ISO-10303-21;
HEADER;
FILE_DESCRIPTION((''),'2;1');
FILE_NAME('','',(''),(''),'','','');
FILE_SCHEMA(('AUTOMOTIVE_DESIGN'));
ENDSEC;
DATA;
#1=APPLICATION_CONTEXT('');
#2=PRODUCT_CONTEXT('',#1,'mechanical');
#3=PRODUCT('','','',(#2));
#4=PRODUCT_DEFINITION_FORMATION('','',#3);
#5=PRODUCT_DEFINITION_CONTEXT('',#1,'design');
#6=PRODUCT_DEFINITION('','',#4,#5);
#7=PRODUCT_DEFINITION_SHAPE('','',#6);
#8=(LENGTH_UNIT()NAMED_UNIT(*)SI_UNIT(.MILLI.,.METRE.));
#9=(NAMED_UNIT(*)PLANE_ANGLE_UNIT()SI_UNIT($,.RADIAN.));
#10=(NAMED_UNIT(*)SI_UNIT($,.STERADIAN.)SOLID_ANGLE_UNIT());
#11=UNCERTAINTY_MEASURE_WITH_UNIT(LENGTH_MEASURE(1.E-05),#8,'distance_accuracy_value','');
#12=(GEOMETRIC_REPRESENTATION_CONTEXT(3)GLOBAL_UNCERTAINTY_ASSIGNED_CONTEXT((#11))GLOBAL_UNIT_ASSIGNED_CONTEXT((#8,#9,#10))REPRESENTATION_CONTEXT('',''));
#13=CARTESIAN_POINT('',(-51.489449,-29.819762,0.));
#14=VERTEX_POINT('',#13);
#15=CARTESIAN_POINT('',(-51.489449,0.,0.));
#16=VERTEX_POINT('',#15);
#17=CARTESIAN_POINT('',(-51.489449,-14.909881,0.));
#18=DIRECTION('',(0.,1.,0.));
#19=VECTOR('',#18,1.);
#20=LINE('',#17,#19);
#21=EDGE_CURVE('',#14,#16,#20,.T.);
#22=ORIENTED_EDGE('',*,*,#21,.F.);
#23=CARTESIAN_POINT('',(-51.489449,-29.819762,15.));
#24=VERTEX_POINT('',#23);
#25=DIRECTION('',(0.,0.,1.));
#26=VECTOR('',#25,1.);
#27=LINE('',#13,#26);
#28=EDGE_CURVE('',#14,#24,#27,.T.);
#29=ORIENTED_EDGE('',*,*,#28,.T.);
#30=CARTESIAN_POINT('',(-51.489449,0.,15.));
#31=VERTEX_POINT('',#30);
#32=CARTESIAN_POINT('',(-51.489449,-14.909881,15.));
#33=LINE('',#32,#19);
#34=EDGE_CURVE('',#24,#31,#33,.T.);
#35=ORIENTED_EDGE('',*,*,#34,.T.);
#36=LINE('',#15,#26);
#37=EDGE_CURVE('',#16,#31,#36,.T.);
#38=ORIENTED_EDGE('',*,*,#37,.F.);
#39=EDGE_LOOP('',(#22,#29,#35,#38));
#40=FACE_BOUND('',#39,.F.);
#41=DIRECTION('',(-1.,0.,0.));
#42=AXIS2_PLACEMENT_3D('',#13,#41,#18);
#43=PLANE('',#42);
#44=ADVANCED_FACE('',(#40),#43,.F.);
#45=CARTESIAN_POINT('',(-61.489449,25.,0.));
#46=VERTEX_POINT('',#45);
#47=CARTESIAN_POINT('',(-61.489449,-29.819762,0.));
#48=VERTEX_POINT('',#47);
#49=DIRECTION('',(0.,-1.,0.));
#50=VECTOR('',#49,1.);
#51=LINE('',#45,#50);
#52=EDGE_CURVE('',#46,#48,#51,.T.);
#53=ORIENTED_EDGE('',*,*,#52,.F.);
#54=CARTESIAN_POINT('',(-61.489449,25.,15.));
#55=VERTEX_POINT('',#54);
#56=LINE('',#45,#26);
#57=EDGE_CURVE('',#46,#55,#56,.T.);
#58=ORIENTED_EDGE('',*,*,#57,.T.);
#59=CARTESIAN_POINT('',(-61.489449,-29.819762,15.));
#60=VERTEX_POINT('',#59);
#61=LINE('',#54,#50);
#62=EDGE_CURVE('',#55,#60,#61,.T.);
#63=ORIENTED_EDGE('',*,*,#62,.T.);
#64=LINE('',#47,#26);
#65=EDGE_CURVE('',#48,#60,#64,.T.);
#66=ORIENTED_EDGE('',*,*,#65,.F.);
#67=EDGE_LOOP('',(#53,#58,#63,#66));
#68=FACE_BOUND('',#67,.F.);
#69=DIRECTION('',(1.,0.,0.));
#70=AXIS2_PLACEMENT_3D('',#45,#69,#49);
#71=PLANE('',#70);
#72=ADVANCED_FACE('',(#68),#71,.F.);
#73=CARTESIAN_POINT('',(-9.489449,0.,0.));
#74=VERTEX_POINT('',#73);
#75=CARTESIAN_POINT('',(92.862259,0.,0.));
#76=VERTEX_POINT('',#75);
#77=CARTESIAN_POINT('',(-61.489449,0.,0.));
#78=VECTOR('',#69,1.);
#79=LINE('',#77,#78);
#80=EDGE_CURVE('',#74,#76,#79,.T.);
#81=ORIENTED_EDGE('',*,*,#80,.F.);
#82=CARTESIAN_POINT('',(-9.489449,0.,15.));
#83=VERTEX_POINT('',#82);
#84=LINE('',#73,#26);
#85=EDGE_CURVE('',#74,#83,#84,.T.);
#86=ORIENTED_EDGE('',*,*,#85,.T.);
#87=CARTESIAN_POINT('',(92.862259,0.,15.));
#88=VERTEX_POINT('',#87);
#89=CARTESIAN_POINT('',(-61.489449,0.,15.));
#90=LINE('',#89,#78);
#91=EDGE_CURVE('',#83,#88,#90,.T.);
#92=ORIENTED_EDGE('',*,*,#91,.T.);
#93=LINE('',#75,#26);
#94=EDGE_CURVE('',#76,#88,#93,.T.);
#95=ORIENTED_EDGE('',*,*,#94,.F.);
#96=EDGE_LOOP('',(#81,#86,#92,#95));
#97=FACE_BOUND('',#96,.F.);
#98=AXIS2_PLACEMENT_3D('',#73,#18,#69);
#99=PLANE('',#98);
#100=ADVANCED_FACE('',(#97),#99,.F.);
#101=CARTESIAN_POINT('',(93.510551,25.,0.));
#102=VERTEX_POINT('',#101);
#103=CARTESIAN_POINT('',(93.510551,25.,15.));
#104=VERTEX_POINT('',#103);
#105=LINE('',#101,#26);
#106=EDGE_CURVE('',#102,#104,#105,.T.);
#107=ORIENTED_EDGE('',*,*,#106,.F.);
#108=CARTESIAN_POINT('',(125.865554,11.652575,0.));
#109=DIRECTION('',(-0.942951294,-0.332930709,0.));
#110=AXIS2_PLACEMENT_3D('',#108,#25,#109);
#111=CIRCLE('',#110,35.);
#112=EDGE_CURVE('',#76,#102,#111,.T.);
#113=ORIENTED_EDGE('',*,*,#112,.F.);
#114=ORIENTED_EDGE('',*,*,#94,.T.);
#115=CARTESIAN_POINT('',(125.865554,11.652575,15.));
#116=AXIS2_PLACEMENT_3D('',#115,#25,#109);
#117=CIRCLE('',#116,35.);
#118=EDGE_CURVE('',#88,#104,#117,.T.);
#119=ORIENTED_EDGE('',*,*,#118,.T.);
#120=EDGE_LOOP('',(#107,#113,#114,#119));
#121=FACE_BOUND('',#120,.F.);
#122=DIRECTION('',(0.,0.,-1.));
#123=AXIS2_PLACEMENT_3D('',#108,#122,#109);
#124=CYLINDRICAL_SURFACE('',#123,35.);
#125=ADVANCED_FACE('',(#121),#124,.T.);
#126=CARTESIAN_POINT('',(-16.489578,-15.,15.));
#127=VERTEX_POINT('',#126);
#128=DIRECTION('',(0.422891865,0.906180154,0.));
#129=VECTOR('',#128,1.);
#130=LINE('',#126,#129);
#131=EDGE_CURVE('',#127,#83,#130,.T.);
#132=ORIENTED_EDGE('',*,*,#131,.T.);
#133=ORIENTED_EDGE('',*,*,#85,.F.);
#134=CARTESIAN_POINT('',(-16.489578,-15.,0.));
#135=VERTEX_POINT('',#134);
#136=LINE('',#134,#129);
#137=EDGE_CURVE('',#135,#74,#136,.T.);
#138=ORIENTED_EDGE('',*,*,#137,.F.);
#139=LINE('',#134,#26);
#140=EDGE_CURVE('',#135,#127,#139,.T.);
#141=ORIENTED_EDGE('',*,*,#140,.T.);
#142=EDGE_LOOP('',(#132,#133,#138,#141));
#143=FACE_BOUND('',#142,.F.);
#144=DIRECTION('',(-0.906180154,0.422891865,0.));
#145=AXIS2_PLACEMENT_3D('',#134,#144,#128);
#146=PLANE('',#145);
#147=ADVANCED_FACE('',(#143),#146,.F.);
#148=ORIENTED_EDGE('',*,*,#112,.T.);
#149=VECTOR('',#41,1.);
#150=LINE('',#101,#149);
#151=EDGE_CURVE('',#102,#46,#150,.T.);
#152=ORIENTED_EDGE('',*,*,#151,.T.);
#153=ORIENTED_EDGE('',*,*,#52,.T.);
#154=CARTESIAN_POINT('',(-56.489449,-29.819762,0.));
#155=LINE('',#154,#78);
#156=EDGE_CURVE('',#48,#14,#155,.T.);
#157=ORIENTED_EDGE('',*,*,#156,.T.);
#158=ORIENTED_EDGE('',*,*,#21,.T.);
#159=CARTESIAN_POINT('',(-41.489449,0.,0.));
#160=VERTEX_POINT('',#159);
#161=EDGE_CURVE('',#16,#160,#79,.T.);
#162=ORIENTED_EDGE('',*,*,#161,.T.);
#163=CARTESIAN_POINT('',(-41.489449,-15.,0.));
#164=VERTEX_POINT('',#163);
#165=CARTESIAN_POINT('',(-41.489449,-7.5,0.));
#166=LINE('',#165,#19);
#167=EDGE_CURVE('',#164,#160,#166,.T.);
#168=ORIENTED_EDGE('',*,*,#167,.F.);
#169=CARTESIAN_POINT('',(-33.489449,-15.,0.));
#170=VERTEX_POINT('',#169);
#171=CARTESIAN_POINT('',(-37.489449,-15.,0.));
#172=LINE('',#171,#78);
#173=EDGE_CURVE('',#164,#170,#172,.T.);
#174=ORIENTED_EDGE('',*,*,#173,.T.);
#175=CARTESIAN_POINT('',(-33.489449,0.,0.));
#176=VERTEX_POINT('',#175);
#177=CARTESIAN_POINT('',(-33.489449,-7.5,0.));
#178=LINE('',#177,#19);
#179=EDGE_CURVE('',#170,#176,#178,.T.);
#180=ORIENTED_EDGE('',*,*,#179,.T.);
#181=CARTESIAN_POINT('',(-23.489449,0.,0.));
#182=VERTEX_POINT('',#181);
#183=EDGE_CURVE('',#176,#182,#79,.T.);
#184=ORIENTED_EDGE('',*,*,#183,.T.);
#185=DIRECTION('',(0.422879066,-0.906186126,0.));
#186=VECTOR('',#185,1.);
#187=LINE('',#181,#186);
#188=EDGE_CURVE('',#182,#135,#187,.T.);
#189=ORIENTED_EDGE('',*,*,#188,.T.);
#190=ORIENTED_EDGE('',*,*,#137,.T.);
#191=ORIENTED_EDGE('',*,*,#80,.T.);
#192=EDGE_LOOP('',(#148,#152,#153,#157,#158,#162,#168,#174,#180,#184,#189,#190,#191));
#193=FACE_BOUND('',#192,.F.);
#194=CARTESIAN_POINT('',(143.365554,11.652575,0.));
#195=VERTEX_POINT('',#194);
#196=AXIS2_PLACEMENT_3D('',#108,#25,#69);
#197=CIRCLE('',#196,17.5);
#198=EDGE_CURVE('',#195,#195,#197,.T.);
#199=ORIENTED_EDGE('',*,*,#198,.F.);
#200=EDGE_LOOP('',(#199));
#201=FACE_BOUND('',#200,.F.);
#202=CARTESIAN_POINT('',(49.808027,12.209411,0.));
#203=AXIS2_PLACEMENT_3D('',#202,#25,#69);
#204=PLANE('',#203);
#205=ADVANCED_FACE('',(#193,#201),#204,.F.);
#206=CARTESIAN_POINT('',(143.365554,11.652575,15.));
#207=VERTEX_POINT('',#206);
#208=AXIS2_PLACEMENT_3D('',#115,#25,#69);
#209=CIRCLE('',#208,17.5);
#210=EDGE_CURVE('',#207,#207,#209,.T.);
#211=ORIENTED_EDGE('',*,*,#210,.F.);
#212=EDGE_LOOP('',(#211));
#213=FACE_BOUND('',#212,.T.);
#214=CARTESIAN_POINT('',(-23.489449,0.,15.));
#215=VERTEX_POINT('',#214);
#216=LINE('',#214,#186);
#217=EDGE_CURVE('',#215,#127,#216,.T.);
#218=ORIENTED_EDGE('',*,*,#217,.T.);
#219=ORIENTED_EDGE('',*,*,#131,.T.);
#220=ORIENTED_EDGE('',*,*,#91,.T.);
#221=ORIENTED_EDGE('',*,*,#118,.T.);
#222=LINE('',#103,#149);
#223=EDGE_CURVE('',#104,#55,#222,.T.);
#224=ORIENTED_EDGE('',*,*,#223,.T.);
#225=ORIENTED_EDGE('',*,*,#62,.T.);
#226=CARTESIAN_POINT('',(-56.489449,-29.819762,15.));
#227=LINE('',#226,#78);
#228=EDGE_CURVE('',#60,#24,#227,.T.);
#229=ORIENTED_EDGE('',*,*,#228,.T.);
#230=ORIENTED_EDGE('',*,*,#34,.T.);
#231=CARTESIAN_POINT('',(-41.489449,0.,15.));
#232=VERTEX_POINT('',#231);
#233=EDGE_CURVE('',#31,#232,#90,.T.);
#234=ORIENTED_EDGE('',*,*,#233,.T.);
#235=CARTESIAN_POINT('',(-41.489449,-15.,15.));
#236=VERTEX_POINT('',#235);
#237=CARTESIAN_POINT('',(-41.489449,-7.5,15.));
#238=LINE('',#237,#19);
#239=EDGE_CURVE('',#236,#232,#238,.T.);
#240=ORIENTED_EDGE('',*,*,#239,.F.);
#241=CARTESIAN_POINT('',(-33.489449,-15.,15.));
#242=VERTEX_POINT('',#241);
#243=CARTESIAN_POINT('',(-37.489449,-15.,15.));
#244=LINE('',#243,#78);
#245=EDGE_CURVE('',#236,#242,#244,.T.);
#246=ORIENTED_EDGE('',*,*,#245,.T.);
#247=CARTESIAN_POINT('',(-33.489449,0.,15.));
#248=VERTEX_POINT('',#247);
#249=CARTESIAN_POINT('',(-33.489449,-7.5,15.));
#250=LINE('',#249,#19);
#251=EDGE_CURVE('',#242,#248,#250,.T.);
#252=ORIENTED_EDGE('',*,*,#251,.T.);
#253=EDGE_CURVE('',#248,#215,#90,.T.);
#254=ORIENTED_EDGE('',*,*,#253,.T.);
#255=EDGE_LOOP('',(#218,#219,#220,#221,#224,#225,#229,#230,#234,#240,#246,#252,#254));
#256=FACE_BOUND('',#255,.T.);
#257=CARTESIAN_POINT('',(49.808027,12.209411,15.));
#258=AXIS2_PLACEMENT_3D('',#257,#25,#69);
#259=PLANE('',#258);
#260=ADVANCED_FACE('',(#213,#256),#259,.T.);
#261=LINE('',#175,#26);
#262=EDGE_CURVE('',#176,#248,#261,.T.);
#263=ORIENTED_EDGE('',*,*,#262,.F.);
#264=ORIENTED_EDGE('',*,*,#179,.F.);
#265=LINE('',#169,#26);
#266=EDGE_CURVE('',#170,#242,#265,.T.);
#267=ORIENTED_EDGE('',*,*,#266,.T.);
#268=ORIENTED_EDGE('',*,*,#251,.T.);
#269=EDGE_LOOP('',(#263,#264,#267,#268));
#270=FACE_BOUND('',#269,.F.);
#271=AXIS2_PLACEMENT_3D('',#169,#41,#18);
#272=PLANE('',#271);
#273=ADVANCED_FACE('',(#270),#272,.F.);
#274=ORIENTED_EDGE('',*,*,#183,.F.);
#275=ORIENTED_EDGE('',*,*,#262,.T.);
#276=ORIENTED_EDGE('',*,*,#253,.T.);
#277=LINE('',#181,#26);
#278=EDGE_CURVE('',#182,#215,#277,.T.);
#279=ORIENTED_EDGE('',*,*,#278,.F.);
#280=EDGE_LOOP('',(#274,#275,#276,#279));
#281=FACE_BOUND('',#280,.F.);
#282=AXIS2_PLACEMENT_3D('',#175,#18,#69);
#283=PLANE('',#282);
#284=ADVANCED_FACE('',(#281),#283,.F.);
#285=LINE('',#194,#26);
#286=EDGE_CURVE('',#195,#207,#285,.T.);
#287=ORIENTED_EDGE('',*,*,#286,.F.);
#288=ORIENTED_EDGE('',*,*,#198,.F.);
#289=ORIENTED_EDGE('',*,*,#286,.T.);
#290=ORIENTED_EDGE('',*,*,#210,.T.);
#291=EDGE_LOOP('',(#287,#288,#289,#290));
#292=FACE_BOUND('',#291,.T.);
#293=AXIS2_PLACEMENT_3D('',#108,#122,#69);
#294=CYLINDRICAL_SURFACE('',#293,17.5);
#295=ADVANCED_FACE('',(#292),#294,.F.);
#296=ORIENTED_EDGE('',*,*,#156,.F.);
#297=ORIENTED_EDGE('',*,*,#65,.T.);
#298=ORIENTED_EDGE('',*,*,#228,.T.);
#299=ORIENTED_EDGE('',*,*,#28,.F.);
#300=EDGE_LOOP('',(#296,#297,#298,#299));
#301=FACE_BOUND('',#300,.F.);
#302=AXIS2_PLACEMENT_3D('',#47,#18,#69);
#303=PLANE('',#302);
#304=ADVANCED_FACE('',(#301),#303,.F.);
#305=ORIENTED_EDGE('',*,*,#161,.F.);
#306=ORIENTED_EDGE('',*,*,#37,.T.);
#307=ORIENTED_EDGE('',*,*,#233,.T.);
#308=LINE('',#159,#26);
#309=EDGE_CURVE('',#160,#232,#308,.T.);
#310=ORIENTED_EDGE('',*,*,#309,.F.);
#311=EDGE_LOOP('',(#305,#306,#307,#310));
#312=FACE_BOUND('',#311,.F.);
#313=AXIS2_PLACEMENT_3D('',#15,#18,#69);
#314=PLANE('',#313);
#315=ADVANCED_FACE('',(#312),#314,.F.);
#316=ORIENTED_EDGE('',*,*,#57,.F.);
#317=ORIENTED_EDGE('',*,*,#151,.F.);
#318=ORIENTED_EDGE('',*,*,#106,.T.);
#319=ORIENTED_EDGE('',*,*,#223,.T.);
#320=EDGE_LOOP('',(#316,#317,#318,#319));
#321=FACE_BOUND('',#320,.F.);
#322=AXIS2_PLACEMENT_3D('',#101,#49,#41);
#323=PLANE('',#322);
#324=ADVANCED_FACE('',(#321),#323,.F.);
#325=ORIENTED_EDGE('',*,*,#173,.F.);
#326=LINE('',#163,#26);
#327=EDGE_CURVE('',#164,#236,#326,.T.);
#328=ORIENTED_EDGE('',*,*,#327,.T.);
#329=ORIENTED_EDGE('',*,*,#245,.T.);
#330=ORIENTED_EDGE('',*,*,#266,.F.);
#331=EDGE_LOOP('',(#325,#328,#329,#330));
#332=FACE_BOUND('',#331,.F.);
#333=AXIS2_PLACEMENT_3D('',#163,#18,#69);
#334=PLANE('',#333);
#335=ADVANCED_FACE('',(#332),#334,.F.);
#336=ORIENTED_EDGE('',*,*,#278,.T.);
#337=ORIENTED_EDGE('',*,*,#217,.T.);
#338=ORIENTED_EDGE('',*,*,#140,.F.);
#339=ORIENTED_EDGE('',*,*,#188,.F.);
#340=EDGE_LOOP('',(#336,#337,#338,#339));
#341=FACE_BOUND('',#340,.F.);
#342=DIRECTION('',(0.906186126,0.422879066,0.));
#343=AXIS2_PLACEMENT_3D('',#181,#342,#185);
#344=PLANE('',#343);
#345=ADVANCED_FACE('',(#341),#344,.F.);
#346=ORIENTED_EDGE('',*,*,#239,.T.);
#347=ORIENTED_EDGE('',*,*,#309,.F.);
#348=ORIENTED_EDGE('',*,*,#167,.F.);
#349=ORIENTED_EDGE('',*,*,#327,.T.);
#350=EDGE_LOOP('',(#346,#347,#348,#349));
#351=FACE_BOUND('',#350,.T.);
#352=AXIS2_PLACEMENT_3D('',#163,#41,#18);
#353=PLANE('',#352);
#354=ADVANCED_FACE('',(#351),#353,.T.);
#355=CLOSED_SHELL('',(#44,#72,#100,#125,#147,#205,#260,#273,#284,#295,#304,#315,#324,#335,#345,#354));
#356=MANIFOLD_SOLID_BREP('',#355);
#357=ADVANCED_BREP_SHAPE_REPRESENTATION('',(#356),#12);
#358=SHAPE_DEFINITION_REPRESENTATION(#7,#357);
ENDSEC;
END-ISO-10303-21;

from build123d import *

# Parameters (mm, degrees)
F0_R     = 17.5
F0_W     = 10
F0_H     = 0.180238
F0_H_2   = 29.819762
F0_W_2   = 8
F0_H_3   = 15
F1_DEPTH = 15


with BuildPart() as f1:
    # F0 (on Top) → F1 (new body)
    with BuildSketch(Plane.XY):
        with BuildLine():
            Line((93.510551, 25), (-61.489449, 25))
            Line((-61.489449, 25), (-61.489449, 0.180238))
            Line((-61.489449, 0.180238), (-51.489449, 0.180238))
            Line((-51.489449, 0.180238), (-51.489449, 0))
            Line((-51.489449, 0), (-41.489449, 0))
            Line((-41.489449, 0), (-33.489449, 0))
            Line((-33.489449, 0), (-23.489449, 0))
            Line((-23.489449, 0), (-9.489449, 0))
            Line((-9.489449, 0), (92.862259, 0))
            ThreePointArc((92.862259, 0), (160.853792, 10.745271), (93.510551, 25))
        make_face()
        with Locations((125.865554, 11.652575)):
            Circle(F0_R, mode=Mode.SUBTRACT)
        with Locations((-56.489449, 0.090119)):
            Rectangle(F0_W, F0_H)
        with Locations((-56.489449, -14.909881)):
            Rectangle(F0_W, F0_H_2)
        Polygon((-16.489578, -15), (-9.489449, 0), (-23.489449, 0), align=None)
        with Locations((-37.489449, -7.5)):
            Rectangle(F0_W_2, F0_H_3)
    extrude(amount=F1_DEPTH)


solid = f1.part
